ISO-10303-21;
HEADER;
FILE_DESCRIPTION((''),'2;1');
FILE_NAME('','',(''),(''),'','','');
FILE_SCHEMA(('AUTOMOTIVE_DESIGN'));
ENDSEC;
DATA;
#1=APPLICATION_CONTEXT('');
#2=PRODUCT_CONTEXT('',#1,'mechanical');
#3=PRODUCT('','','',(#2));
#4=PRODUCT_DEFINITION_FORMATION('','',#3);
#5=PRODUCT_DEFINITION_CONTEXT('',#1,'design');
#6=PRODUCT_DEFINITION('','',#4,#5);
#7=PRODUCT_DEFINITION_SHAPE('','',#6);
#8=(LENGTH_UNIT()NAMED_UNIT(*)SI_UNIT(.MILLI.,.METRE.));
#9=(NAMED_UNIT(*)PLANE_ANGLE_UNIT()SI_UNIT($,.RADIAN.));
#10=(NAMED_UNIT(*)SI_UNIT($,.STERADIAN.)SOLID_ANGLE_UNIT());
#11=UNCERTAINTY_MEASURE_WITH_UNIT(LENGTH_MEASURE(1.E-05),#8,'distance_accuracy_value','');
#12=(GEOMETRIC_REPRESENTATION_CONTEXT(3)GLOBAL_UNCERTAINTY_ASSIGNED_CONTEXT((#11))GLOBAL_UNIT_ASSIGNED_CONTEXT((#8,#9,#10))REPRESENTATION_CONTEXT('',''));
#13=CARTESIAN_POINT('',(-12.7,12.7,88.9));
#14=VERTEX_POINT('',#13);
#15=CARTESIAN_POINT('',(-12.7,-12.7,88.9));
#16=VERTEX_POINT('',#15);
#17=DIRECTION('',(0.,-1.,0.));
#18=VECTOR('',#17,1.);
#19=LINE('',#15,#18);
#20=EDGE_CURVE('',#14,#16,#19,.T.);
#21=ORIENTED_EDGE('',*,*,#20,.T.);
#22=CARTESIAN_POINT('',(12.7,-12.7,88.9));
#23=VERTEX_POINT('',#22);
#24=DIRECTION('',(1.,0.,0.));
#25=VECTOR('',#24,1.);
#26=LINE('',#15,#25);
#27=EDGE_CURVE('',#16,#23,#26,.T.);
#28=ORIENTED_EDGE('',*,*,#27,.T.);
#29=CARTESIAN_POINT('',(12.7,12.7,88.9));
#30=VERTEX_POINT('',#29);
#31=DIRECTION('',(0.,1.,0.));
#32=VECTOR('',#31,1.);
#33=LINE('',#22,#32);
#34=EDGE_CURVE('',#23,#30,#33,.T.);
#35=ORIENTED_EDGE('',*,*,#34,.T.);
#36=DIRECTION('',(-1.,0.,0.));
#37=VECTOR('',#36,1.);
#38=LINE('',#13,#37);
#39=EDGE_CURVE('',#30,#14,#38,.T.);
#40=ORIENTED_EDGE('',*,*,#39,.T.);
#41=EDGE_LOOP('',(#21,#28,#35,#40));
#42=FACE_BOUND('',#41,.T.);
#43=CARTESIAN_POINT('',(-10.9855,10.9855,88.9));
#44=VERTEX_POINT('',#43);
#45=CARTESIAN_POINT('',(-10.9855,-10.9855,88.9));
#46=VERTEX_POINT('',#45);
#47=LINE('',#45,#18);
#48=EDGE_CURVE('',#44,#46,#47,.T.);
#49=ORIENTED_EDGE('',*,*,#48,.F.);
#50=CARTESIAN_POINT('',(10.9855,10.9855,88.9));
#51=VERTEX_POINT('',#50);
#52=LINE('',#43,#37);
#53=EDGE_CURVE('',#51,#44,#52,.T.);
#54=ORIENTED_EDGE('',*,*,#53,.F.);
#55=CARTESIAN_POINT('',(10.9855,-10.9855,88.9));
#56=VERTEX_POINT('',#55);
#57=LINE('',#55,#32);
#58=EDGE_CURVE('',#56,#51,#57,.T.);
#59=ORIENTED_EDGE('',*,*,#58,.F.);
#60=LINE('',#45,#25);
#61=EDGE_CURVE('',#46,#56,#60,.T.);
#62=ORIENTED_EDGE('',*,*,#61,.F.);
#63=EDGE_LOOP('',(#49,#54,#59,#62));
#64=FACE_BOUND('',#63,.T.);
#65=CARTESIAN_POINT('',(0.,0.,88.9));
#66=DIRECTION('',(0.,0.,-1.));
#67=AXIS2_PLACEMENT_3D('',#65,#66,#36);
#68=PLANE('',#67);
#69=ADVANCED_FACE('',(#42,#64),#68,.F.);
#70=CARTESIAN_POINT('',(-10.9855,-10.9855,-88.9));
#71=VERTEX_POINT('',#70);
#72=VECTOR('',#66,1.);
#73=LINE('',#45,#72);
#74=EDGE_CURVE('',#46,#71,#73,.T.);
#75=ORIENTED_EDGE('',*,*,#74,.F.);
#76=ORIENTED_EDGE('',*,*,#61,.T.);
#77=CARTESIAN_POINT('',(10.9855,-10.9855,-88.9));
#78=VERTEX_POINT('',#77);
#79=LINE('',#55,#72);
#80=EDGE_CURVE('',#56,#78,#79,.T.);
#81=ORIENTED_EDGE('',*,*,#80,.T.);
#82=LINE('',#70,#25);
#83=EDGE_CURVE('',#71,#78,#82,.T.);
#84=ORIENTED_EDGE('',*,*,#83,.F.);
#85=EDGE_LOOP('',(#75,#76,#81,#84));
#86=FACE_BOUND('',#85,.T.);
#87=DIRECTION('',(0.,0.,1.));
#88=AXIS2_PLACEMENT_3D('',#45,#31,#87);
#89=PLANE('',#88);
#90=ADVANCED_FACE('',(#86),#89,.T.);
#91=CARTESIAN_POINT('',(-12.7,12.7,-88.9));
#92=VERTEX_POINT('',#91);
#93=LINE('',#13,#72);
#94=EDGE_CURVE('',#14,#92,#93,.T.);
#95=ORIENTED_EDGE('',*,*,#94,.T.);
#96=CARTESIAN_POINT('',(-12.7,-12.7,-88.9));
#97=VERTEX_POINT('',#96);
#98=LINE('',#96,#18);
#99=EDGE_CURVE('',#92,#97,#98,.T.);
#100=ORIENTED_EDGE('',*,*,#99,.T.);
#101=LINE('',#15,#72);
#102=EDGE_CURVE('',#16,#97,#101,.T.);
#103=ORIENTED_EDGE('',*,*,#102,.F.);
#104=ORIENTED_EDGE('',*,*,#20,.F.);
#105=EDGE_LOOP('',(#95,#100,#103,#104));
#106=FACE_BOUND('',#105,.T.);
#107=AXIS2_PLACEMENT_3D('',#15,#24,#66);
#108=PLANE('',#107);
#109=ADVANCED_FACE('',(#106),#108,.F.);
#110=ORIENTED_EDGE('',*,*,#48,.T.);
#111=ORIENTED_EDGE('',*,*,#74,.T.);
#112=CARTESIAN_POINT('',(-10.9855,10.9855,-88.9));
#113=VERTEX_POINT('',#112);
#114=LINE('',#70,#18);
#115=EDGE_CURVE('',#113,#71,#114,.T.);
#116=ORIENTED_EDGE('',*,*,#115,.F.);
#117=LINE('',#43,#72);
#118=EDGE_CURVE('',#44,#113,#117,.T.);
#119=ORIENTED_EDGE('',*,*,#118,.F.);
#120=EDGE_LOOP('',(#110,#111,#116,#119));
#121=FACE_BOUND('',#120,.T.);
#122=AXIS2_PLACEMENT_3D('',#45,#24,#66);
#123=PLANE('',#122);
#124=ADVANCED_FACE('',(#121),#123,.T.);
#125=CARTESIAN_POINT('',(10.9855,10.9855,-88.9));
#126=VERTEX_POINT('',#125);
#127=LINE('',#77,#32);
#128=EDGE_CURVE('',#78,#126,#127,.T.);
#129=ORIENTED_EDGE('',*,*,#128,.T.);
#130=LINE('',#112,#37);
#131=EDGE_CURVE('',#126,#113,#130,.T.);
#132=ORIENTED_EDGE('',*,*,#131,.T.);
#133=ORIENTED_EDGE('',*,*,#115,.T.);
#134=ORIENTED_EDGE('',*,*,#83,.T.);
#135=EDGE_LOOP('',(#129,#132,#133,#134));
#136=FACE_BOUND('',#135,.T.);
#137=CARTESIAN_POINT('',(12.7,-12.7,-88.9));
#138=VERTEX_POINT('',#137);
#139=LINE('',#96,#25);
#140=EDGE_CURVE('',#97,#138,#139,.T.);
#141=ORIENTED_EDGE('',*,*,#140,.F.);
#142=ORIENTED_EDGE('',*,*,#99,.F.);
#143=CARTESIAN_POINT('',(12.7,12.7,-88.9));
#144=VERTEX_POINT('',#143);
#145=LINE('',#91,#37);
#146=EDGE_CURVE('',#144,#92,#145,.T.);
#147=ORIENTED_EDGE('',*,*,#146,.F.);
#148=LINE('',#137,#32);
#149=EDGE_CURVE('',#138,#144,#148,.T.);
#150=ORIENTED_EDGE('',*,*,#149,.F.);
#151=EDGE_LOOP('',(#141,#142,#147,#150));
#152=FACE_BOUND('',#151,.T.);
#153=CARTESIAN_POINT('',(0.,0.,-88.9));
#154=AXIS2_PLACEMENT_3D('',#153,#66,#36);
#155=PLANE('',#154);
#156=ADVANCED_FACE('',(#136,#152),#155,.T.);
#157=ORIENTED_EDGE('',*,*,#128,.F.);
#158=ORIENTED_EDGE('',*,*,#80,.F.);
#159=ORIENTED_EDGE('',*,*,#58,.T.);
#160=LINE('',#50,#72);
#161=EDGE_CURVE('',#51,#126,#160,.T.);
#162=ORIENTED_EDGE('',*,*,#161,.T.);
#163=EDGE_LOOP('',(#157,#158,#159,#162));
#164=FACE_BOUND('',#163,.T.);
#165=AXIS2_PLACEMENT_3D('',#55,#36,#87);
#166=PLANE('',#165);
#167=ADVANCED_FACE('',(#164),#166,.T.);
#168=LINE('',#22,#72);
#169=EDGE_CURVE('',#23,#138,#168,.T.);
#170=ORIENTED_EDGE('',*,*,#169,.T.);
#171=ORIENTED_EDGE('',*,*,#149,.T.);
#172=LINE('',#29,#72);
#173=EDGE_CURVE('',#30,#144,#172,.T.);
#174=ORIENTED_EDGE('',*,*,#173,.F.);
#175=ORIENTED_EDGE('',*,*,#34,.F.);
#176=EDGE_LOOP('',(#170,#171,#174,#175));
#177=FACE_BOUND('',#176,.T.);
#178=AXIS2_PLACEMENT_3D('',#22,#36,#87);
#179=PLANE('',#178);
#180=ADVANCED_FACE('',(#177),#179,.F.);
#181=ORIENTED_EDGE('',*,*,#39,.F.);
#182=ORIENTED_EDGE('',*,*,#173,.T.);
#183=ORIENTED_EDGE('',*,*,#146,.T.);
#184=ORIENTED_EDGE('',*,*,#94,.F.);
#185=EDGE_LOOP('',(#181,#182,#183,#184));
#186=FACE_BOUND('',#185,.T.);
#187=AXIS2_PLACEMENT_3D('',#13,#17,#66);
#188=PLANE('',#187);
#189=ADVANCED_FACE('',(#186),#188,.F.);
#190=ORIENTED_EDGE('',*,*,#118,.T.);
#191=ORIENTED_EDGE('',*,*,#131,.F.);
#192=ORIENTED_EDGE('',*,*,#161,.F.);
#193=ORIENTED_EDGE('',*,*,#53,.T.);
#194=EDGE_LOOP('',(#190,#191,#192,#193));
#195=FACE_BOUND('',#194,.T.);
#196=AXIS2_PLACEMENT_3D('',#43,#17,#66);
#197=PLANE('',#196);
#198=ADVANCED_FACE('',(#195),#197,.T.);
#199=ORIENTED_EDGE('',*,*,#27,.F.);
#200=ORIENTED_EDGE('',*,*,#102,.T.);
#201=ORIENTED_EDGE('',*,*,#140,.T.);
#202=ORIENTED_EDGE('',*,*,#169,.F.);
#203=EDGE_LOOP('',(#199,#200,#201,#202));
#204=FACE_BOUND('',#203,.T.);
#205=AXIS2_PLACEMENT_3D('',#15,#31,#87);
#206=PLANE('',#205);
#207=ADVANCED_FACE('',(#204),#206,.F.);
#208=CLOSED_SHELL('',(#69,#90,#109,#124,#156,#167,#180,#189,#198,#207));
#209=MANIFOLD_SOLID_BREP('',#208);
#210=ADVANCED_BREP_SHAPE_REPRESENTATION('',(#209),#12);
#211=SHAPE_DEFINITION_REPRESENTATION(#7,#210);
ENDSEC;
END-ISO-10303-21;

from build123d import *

# Parameters (mm, degrees)
SKETCH1_W           = 25.4
SKETCH1_H           = 25.4
SKETCH1_W_2         = 21.971
SKETCH1_H_2         = 21.971
BOSS_EXTRUDE1_DEPTH = 88.9


with BuildPart() as part:
    # Sketch1 → Boss-Extrude1 (new, symmetric)
    with BuildSketch(Plane.XY):
        Rectangle(SKETCH1_W, SKETCH1_H)
        Rectangle(SKETCH1_W_2, SKETCH1_H_2, mode=Mode.SUBTRACT)
    extrude(amount=BOSS_EXTRUDE1_DEPTH, both=True)


solid = part.part
